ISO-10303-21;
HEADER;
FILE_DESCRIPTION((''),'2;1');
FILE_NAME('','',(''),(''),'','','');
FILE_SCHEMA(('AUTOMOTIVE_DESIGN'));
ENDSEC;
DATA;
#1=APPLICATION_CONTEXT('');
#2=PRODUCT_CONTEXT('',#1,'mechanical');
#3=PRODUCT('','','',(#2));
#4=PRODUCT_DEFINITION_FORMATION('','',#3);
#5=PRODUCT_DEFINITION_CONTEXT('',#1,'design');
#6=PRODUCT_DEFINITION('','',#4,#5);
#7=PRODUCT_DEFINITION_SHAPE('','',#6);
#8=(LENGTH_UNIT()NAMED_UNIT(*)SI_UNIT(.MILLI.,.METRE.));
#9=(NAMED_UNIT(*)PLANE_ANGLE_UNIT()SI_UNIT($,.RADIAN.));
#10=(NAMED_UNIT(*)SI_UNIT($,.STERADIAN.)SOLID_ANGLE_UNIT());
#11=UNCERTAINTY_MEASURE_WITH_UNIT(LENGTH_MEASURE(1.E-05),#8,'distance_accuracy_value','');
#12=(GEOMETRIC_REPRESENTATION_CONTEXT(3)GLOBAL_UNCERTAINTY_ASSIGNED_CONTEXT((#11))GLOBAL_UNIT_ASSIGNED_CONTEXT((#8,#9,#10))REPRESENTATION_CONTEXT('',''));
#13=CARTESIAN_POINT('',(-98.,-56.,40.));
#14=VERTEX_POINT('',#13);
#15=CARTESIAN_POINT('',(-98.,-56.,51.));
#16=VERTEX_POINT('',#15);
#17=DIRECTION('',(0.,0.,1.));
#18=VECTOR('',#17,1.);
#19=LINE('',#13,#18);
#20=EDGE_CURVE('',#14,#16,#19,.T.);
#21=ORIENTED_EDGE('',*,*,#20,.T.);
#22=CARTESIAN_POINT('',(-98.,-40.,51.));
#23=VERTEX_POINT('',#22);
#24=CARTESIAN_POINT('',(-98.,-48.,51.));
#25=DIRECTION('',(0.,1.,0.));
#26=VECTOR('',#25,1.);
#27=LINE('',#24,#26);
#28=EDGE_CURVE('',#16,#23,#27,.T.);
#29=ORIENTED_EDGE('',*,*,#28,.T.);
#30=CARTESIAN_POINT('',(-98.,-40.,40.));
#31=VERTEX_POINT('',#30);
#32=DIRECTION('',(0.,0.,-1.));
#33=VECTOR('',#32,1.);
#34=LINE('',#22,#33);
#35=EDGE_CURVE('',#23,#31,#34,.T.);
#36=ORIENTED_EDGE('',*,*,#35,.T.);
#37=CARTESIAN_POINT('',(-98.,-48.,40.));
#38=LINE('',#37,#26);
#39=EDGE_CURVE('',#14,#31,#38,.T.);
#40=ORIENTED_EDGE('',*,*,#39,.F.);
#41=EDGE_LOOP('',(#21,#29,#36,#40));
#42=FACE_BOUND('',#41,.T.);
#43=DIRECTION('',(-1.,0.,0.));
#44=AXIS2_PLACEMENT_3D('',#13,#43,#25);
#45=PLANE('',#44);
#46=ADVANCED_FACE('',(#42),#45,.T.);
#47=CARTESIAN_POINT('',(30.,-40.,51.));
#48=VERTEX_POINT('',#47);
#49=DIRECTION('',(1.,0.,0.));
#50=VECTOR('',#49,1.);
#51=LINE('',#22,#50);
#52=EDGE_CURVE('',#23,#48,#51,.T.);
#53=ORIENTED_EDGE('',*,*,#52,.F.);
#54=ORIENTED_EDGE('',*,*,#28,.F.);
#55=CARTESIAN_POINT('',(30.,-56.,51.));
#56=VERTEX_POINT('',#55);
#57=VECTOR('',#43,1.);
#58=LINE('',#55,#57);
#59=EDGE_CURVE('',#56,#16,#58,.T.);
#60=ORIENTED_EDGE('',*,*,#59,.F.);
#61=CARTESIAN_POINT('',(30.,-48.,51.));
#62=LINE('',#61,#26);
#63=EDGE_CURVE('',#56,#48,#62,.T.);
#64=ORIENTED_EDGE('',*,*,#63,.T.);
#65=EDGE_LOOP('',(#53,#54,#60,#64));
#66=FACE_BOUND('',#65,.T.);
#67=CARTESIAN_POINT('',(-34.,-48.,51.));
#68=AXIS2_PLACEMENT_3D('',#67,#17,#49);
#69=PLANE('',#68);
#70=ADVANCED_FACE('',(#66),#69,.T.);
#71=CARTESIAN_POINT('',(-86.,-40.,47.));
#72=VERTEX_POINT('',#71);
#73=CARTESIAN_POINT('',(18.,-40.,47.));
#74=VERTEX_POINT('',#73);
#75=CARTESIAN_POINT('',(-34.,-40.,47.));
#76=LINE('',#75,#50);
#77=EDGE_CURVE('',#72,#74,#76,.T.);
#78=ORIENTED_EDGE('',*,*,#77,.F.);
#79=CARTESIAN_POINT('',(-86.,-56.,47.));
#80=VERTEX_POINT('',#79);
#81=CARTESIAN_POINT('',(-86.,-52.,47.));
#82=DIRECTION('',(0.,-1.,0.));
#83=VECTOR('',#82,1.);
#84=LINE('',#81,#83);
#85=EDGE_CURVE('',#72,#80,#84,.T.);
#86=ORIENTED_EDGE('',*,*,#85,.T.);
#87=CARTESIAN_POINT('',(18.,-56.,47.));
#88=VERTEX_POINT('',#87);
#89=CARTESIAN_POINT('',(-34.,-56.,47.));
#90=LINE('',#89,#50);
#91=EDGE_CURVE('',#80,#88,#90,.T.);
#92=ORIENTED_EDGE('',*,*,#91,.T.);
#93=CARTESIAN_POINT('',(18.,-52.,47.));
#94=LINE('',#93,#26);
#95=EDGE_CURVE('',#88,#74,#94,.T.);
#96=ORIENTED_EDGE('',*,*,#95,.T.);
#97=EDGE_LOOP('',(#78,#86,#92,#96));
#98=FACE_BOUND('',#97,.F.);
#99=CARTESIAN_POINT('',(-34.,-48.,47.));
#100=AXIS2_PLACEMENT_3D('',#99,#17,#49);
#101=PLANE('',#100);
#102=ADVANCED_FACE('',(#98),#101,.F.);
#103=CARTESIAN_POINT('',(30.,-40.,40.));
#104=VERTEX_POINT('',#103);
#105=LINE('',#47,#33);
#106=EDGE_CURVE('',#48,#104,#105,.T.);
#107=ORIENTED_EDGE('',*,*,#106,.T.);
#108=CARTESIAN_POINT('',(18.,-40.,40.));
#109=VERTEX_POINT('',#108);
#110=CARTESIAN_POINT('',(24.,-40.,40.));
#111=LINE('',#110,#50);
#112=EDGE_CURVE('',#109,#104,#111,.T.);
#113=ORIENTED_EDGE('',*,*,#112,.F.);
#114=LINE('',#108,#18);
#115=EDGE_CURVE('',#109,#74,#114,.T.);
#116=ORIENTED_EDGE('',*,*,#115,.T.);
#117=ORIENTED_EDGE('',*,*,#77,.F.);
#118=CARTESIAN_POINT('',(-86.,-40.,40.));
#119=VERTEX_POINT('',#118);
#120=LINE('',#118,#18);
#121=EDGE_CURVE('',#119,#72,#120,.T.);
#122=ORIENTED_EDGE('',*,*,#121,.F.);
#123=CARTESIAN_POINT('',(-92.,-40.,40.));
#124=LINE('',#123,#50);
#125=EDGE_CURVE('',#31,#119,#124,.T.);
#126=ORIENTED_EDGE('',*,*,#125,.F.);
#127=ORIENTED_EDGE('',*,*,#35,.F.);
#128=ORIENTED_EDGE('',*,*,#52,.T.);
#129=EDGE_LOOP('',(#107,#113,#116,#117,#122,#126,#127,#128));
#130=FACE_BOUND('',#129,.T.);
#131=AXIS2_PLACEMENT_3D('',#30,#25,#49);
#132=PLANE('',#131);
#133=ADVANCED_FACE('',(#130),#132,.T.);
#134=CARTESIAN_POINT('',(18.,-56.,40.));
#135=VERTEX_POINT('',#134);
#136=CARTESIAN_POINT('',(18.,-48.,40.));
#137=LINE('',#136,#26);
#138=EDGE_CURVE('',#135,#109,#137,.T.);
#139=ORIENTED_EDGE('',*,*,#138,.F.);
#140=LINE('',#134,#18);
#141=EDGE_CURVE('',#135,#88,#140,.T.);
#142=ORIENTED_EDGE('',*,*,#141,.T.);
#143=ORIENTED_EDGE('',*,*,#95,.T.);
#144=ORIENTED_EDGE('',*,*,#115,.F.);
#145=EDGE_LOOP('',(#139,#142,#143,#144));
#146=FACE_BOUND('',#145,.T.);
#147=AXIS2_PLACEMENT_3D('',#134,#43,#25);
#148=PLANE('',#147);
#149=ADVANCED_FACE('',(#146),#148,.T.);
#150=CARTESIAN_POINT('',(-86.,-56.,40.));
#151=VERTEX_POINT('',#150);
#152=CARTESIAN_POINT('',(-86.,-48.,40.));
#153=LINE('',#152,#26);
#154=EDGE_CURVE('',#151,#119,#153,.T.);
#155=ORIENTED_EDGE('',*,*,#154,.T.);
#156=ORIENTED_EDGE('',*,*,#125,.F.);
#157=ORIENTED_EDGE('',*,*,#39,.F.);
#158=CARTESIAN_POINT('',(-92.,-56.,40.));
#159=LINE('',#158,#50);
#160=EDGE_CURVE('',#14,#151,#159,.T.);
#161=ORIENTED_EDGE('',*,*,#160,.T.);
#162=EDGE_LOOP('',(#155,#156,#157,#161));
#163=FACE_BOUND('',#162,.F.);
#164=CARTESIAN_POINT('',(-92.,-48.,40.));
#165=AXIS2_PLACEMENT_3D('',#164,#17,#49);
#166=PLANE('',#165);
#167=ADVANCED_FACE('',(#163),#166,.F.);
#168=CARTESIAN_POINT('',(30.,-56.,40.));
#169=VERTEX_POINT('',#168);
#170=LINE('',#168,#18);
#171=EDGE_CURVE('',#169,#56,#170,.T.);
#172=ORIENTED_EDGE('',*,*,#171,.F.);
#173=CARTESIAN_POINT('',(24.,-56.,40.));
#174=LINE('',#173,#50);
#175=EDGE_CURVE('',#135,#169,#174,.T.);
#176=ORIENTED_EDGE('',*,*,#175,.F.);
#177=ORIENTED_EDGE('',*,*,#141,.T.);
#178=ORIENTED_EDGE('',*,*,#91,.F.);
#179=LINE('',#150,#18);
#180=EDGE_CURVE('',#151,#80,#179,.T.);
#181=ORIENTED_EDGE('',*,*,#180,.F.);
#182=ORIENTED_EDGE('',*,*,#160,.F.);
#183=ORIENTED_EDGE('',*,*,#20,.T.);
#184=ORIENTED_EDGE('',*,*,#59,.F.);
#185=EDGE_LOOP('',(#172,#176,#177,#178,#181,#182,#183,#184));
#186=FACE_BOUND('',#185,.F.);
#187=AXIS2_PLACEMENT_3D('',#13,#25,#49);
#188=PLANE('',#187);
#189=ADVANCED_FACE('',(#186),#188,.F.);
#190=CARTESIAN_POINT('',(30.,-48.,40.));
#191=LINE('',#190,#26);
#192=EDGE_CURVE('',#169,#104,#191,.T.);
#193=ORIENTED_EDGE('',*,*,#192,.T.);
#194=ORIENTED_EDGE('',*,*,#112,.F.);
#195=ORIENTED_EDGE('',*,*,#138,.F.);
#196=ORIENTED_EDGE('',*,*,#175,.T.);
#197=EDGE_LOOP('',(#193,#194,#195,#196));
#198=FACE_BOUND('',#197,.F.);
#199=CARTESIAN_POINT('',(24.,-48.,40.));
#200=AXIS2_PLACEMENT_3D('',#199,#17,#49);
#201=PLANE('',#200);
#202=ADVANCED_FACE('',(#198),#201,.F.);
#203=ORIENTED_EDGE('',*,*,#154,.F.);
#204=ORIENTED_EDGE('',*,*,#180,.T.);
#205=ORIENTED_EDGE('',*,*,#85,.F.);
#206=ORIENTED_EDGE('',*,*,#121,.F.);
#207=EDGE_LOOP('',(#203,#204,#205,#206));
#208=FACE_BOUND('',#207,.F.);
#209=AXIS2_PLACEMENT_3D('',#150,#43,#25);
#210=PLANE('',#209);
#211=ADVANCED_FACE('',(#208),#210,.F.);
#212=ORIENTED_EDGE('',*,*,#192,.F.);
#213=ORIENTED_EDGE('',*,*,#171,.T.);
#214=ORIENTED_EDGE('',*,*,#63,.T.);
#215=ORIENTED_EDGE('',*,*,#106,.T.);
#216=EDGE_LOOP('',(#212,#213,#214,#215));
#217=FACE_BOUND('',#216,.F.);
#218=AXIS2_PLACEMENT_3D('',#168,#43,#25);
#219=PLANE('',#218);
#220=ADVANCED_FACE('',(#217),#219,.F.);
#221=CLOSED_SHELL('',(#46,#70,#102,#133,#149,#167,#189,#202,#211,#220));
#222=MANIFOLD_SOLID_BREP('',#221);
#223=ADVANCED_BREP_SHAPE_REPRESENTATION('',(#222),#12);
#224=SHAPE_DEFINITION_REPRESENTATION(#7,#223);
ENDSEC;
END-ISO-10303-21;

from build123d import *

# Parameters (mm, degrees)
BOX517_W     = 128
BOX517_H     = 16
BOX517_DEPTH = 4
BOX518_W     = 12
BOX518_H     = 16
BOX518_DEPTH = 11
BOX519_W     = 12
BOX519_H     = 16
BOX519_DEPTH = 11


with BuildPart() as box517:
    # Box517 → Box517 (new body)
    with BuildSketch(Plane(origin=(-98, -27, 47), x_dir=(1, 0, 0), z_dir=(0, 0, 1))):
        with Locations((64, 8)):
            Rectangle(BOX517_W, BOX517_H)
    extrude(amount=BOX517_DEPTH)


with BuildPart() as box518:
    # Box518 → Box518 (new body)
    with BuildSketch(Plane(origin=(-98, -27, 40), x_dir=(1, 0, 0), z_dir=(0, 0, 1))):
        with Locations((6, 8)):
            Rectangle(BOX518_W, BOX518_H)
    extrude(amount=BOX518_DEPTH)


with BuildPart() as fusion400:
    # Box519 → Box519 (new body)
    with BuildSketch(Plane(origin=(18, -27, 40), x_dir=(1, 0, 0), z_dir=(0, 0, 1))):
        with Locations((6, 8)):
            Rectangle(BOX519_W, BOX519_H)
    extrude(amount=BOX519_DEPTH)

    # Fusion400: union Box517, Box518
    add(box517.part)
    add(box518.part)


with BuildPart() as fusion400_1:
    # Fusion400 placement: moved
    add(fusion400.part.moved(Location((0, -29, 0))))


solid = fusion400_1.part
